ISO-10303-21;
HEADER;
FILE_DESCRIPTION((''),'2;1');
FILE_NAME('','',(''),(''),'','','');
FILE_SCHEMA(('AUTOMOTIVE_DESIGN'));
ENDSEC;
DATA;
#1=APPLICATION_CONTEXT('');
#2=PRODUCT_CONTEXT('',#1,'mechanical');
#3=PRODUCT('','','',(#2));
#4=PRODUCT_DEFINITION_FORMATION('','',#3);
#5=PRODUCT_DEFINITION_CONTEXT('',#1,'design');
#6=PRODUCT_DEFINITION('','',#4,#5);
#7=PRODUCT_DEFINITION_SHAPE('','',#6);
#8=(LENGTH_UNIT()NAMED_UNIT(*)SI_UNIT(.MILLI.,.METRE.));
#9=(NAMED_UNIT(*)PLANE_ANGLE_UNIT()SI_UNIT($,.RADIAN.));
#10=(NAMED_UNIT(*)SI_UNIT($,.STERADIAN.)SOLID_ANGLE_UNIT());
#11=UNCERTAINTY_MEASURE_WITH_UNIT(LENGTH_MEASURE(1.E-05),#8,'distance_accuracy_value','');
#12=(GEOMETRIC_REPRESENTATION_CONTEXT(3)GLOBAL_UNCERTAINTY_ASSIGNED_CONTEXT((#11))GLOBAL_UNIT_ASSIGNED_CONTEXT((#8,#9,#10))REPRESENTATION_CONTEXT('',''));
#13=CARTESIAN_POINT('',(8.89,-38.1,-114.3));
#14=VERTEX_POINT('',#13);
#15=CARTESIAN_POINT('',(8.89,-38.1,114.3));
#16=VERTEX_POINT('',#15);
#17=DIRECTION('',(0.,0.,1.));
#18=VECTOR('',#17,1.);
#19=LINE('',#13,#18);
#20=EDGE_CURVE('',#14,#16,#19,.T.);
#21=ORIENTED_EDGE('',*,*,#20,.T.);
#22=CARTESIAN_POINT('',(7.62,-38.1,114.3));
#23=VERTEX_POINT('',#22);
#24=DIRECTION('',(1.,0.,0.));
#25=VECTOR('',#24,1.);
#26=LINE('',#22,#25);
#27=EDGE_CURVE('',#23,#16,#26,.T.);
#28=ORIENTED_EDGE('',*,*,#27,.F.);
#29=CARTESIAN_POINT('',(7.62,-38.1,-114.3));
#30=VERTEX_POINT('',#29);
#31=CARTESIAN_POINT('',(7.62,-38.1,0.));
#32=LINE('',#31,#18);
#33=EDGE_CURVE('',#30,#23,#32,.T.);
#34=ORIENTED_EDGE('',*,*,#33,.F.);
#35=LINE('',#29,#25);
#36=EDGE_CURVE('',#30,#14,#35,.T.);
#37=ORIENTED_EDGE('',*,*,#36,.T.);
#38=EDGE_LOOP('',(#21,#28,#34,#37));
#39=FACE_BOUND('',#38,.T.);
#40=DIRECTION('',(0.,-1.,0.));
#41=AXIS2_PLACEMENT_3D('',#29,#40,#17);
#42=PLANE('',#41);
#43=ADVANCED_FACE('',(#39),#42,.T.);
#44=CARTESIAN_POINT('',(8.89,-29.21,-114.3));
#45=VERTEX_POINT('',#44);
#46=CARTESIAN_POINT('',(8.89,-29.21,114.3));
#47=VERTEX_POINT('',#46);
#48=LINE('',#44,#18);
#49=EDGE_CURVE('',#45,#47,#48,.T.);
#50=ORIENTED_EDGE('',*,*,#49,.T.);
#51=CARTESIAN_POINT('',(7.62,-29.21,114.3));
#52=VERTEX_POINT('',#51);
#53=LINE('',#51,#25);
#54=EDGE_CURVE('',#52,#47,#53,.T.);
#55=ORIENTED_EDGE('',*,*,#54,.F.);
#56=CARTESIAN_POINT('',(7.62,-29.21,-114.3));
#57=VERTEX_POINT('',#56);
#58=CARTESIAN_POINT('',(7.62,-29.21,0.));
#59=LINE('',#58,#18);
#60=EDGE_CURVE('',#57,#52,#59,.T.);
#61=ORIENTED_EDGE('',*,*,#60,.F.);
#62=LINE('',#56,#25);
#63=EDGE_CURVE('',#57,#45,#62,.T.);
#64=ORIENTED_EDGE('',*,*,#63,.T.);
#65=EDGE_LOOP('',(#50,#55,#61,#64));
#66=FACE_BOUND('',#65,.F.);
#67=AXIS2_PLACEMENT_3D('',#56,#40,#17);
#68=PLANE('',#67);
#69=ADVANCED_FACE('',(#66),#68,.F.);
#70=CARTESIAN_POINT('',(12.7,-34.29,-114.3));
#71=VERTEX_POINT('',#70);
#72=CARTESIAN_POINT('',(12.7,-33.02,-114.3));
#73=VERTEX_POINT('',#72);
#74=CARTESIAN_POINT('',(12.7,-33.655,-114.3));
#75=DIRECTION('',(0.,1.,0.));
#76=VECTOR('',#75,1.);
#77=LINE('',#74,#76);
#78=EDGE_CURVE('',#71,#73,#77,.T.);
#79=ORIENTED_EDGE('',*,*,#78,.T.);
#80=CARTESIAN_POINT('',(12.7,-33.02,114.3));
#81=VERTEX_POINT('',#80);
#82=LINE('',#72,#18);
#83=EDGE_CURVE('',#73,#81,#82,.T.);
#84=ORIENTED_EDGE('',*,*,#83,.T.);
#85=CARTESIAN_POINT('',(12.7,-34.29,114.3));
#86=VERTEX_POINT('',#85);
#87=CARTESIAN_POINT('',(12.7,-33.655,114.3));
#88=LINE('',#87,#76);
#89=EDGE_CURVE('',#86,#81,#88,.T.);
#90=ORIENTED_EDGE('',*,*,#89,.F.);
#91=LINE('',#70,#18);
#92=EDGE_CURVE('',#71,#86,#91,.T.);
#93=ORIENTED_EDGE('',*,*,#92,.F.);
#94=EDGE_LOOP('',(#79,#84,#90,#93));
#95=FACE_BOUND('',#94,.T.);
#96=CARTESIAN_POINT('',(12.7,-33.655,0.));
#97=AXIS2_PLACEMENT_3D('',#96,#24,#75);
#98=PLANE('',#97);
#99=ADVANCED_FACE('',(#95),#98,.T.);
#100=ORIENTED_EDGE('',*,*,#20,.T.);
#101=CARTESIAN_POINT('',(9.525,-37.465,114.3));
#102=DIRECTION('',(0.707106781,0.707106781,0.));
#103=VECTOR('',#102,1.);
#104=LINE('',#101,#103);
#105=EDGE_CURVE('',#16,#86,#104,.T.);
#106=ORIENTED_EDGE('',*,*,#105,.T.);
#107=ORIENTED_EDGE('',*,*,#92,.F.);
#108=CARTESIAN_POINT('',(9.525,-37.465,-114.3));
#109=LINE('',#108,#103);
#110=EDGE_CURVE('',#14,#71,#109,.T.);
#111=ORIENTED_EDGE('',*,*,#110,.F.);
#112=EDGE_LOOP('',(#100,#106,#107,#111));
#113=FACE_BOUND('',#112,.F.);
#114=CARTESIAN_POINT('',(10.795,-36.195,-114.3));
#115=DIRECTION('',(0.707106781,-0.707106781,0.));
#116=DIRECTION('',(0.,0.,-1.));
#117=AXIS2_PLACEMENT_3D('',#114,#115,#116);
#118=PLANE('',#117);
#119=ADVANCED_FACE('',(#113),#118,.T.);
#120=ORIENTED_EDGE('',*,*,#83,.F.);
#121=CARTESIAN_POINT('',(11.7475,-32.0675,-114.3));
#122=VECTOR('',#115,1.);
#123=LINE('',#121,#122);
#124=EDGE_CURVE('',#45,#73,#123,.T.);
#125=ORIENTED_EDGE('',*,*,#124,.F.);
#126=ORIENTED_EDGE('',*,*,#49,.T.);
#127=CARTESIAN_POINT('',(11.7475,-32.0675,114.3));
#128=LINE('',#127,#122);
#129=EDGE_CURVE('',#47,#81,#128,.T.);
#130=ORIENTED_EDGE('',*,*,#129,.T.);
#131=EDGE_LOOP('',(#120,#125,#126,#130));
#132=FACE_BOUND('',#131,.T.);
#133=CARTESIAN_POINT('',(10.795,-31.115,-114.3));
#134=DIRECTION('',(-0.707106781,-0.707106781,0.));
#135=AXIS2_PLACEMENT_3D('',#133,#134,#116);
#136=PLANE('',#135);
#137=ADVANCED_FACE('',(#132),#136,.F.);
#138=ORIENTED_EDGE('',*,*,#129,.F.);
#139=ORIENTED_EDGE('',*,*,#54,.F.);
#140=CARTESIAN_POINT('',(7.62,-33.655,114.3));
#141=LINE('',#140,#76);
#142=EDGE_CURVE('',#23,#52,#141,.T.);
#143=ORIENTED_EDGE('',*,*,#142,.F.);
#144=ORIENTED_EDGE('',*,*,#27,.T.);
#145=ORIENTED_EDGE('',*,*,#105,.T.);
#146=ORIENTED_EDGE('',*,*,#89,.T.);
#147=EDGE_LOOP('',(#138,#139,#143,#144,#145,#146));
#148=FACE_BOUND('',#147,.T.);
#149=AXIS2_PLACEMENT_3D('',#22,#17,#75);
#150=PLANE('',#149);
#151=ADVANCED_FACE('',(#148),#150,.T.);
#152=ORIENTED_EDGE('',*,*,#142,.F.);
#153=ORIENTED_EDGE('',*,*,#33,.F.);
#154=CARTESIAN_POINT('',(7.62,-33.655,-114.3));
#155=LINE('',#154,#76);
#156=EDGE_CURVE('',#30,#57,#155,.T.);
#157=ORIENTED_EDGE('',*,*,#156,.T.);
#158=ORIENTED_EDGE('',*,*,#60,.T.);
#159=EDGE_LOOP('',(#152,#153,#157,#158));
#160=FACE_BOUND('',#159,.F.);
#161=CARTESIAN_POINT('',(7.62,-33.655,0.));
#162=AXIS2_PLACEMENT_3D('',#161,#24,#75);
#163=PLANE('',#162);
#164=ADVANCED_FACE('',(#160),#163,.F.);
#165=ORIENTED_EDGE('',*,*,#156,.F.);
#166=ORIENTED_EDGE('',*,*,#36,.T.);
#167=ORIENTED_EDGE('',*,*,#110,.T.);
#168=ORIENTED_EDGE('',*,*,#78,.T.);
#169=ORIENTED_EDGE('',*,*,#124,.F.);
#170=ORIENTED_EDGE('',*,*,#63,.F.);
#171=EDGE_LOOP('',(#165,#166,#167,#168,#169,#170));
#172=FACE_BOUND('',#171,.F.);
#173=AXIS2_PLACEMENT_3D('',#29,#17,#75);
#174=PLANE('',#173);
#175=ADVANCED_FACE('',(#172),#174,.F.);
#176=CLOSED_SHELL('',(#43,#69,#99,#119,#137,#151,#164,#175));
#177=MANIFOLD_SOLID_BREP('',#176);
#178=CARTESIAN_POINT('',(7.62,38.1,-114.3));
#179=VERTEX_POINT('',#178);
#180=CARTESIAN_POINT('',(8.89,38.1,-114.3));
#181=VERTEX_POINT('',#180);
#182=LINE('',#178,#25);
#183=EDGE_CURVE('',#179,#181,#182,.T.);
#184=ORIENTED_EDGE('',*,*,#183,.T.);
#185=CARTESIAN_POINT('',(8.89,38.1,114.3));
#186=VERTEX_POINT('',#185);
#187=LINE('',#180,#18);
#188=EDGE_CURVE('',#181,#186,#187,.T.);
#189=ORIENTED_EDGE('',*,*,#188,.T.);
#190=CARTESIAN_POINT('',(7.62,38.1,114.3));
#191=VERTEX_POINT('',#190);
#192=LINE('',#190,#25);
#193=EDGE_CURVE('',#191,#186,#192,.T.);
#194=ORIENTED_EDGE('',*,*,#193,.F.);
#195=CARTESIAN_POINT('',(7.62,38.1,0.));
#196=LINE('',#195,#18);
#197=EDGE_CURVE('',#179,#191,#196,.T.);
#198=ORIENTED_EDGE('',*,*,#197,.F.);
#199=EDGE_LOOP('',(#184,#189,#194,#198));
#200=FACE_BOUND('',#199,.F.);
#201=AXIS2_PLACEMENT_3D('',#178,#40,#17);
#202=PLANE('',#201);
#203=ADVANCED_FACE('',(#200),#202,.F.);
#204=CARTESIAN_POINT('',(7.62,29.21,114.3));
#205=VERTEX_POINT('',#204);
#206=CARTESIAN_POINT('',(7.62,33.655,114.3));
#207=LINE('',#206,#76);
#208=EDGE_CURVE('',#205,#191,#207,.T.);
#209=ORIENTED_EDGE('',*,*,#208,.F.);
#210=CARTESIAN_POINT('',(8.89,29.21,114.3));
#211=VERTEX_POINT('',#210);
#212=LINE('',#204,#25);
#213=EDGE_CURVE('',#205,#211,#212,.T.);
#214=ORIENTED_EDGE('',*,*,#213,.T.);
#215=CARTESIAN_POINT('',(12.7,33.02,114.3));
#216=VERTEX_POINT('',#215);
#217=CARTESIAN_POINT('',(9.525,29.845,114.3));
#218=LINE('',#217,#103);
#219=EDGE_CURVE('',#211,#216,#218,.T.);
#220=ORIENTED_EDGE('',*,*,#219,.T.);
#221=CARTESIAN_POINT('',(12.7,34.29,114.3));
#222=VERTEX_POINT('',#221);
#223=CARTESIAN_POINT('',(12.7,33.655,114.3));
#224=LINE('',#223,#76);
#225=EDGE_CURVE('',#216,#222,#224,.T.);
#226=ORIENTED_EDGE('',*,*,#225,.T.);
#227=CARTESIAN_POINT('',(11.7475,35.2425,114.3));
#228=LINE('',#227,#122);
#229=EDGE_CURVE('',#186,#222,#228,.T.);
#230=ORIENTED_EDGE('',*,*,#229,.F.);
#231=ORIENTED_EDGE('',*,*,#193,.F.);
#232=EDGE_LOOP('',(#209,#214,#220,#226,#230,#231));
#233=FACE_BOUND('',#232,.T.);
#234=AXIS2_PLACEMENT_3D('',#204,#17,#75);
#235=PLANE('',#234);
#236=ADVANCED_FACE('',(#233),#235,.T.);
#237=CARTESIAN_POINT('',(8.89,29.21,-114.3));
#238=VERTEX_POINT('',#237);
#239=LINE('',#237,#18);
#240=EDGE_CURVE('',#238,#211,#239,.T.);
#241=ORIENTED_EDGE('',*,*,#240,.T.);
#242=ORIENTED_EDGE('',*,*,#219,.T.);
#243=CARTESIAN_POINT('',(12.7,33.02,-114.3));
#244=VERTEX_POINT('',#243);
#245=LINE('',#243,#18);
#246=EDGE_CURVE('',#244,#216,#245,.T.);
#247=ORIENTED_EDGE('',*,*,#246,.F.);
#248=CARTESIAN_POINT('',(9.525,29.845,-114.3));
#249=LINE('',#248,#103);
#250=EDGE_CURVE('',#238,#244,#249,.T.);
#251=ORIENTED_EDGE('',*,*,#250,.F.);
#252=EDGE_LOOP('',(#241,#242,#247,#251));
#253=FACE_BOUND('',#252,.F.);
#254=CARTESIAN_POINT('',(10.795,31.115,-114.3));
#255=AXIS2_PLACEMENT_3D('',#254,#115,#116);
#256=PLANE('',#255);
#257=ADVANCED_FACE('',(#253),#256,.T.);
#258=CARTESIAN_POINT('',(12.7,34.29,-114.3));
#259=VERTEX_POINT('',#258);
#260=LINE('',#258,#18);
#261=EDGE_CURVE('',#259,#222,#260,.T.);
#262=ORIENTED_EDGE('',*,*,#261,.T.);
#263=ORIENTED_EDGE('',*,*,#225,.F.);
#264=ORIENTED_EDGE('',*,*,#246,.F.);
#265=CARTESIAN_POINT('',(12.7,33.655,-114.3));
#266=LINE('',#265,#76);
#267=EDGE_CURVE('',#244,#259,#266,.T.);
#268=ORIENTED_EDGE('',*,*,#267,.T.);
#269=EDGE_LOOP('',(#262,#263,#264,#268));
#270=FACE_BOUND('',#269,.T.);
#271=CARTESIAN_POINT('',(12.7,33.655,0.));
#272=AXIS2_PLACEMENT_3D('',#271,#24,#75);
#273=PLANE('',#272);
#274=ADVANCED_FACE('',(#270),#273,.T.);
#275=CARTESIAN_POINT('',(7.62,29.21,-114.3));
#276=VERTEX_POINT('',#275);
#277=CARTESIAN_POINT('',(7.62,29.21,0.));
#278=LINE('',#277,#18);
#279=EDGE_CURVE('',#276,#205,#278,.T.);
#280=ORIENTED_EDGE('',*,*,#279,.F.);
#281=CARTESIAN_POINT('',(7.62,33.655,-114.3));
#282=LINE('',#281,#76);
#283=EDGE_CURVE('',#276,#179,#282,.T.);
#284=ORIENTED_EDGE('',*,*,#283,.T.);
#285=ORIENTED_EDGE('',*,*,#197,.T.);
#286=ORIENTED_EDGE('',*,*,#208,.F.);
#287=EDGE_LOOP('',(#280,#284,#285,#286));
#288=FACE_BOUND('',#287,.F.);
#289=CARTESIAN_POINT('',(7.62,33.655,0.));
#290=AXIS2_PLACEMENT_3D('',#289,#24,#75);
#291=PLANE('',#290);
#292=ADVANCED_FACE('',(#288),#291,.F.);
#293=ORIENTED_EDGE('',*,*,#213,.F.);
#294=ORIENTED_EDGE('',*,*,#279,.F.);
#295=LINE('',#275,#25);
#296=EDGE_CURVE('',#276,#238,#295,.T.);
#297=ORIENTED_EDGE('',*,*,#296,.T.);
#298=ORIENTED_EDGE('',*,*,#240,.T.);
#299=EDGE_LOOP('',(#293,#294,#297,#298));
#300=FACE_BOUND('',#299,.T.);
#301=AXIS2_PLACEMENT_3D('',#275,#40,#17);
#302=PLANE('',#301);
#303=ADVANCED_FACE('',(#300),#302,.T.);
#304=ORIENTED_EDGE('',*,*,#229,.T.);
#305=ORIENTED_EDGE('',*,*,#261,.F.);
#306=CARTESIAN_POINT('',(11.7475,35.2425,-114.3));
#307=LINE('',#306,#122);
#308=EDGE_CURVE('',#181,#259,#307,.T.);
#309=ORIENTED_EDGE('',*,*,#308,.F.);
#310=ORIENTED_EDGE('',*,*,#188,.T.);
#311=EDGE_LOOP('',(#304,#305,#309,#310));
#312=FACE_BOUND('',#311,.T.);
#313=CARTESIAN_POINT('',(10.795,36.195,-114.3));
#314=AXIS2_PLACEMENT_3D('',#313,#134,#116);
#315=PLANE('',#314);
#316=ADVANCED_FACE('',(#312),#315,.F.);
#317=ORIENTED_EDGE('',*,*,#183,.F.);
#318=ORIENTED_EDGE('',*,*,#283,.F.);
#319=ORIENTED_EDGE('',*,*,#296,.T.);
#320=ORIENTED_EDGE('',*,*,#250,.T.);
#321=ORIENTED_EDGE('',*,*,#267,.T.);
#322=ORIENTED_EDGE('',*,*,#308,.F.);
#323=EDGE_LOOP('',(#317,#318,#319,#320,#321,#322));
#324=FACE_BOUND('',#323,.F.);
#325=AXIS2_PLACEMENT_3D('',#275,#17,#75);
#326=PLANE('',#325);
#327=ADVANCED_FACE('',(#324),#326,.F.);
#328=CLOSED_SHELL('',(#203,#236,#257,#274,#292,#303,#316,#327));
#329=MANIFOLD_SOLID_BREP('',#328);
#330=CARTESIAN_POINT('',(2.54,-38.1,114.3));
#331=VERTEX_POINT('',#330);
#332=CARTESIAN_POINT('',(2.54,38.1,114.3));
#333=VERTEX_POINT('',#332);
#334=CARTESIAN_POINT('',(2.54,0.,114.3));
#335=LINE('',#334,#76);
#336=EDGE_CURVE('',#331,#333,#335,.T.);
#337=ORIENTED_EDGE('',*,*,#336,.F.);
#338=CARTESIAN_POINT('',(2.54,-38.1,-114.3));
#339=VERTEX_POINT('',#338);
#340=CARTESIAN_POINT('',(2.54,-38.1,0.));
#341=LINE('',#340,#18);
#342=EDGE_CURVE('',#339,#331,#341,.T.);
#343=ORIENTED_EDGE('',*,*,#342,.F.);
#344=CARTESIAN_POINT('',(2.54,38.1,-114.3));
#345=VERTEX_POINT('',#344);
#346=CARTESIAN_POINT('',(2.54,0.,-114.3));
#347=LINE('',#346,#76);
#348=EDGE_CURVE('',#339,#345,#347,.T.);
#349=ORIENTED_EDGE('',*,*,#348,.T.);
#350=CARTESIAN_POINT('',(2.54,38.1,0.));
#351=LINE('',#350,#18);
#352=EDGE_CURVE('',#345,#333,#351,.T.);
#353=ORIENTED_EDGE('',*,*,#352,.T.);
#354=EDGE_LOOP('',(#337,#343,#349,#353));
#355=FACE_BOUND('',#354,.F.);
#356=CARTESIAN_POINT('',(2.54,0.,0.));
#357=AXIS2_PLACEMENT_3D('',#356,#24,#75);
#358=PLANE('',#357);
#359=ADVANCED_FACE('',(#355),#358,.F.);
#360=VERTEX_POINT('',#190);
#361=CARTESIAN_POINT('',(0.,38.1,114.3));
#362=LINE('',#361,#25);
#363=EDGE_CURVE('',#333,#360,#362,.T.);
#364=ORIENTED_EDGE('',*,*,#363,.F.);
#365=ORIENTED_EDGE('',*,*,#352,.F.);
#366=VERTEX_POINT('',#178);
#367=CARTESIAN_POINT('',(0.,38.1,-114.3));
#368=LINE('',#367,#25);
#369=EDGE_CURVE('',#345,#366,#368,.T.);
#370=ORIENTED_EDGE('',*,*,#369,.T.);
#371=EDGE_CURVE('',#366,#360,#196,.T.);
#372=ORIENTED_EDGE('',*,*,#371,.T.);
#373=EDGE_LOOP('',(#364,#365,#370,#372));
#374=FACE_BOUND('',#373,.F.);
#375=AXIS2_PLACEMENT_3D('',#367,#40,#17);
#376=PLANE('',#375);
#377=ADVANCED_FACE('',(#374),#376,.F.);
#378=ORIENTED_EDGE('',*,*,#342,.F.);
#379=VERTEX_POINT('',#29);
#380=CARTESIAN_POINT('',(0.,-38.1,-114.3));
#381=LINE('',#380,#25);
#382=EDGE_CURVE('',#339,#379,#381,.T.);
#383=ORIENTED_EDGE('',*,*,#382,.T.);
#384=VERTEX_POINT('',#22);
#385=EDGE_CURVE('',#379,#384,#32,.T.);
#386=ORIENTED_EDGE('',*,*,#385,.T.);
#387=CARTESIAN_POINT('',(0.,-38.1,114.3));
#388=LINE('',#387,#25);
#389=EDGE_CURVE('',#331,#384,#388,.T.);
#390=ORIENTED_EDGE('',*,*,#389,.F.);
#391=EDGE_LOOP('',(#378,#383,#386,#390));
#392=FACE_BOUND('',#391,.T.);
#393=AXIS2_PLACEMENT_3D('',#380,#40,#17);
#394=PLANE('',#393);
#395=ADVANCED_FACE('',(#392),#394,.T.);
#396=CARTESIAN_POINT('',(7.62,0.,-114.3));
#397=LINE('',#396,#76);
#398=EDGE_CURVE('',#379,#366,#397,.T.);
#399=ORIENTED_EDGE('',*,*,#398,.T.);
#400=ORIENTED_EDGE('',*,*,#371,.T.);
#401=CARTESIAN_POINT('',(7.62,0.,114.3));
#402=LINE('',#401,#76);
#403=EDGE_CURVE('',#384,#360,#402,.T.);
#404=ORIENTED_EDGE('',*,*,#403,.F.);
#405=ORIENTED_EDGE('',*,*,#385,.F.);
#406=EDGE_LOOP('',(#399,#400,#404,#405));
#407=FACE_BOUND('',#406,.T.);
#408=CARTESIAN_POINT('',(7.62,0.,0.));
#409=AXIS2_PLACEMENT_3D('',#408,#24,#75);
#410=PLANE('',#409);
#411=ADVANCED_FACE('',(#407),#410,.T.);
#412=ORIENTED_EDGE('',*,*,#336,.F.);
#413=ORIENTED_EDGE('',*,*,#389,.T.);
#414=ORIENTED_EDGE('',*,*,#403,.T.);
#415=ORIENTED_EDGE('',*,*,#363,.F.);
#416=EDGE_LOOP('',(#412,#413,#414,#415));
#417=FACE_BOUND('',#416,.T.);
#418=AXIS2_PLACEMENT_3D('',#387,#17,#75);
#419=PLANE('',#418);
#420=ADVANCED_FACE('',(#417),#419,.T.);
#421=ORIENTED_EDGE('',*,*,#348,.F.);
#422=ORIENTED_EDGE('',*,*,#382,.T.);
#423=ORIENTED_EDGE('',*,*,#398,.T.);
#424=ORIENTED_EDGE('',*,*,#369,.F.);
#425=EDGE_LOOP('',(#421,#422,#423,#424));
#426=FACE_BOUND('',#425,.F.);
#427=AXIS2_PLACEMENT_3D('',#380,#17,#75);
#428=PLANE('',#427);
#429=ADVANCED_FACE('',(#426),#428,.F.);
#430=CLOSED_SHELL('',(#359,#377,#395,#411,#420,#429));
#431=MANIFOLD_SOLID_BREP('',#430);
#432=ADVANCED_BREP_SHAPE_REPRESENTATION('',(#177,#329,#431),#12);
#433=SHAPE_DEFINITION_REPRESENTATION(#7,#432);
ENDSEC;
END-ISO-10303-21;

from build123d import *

# Parameters (mm, degrees)
F0_W      = 76.2
F0_H      = 228.6
F1_DEPTH  = 7.62
F2_W      = 8.89
F2_H      = 228.6
F3_DEPTH  = 5.08
F4_SIZE   = 3.81
F4_2_SIZE = 3.81
F5_DEPTH  = 2.54


with BuildPart() as f1:
    # F0 (on Right) → F1 (new body)
    with BuildSketch(Plane.YZ):
        Rectangle(F0_W, F0_H)
    extrude(amount=F1_DEPTH)

    # F5 (cut): a face of the model
    f5_faces = [f1.faces().sort_by_distance(p)[0] for p in [
        (0, 0, 0),
    ]]
    extrude(f5_faces, amount=-F5_DEPTH, mode=Mode.SUBTRACT)


with BuildPart() as f3:
    # F2 (on face) → F3 (new body)
    with BuildSketch(Plane.YZ.offset(7.62)):
        with Locations((-33.655, 0)):
            Rectangle(F2_W, F2_H)
    extrude(amount=F3_DEPTH)

    # F4
    f4_edges = [f3.edges().sort_by_distance(p)[0] for p in [
        (12.7, -38.1, 0),
        (12.7, -29.21, 0),
    ]]
    chamfer(f4_edges, length=F4_SIZE)


with BuildPart() as f3b:
    # F2 (on face) → F3, piece 2 (new body)
    with BuildSketch(Plane.YZ.offset(7.62)):
        with Locations((33.655, 0)):
            Rectangle(F2_W, F2_H)
    extrude(amount=F3_DEPTH)

    # F4#2
    f4_2_edges = [f3b.edges().sort_by_distance(p)[0] for p in [
        (12.7, 29.21, 0),
        (12.7, 38.1, 0),
    ]]
    chamfer(f4_2_edges, length=F4_2_SIZE)


solid = Compound([f1.part, f3.part, f3b.part])
